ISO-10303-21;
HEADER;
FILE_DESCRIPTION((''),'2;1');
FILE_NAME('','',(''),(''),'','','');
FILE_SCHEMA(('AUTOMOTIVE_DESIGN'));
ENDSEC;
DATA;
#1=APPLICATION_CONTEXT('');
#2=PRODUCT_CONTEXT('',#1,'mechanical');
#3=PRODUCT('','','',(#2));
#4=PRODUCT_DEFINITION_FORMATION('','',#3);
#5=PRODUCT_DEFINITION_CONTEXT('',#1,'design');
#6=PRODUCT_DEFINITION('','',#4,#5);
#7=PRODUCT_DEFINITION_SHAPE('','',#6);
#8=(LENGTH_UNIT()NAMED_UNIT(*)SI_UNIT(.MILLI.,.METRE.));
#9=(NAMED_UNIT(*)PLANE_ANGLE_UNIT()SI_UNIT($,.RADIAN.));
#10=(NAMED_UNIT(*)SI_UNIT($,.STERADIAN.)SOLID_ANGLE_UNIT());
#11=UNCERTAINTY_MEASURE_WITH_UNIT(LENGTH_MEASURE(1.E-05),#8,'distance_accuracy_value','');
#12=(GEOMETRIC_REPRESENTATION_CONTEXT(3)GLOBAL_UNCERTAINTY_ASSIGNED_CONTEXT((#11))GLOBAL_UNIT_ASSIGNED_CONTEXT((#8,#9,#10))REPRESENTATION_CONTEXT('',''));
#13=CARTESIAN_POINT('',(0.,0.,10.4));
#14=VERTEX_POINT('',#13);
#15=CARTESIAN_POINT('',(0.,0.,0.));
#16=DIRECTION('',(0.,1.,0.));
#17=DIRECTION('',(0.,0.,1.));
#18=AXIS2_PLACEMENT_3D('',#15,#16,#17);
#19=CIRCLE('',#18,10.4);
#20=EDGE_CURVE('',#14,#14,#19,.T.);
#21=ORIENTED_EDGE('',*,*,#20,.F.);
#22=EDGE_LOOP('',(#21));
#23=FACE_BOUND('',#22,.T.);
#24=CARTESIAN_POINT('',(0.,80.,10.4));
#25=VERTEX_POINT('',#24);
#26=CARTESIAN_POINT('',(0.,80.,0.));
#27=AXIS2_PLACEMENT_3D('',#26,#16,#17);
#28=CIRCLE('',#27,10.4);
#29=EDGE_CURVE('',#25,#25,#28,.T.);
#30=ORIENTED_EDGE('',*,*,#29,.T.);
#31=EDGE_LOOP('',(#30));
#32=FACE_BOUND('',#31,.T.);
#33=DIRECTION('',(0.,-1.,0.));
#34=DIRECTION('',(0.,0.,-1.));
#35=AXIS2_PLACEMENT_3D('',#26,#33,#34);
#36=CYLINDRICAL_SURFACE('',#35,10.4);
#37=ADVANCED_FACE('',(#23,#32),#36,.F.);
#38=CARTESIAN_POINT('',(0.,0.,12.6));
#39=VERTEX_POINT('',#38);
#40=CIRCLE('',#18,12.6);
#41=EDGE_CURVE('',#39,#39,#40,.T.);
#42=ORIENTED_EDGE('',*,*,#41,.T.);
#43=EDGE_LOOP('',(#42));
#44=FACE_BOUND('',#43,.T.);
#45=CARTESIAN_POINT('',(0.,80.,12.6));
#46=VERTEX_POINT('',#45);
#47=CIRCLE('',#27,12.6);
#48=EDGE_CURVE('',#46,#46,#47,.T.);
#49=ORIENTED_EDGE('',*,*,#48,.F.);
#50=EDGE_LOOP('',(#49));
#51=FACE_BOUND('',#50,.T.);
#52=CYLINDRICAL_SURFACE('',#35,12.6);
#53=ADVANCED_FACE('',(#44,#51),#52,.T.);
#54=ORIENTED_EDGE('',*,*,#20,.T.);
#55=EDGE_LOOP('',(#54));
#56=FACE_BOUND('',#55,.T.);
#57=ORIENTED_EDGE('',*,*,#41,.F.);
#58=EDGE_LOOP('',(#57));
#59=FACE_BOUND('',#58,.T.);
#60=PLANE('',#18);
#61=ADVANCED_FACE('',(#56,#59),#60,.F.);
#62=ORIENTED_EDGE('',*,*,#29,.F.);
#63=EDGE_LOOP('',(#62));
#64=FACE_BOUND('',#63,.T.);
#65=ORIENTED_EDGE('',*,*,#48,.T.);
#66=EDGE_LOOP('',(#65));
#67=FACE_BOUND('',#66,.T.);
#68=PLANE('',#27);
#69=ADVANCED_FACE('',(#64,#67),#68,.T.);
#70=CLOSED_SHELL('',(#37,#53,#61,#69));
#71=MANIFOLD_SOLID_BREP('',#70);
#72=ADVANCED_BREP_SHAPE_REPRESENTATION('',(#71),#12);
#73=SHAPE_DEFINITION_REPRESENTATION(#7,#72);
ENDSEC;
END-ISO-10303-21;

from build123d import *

# Parameters (mm, degrees)
SKETCH_1_R      = 12.6
EXTRUDE_1_DEPTH = 80
SHELL_1_T       = -2.2


with BuildPart() as part:
    # 스케치1 → 보스-돌출1 (new body)
    with BuildSketch(Plane(origin=(0, 0, 0), x_dir=(1, 0, 0), z_dir=(0, 1, 0))):
        with Locations(Location((0, 0, 0), (0, 0, 270))):
            Circle(SKETCH_1_R)
    extrude(amount=EXTRUDE_1_DEPTH)

    # 쉘1
    shell_1_openings = [part.faces().sort_by_distance(p)[0] for p in [
        (0, 80, 0),
        (0, 0, 0),
    ]]
    offset(amount=SHELL_1_T, openings=shell_1_openings, kind=Kind.INTERSECTION)


solid = part.part
